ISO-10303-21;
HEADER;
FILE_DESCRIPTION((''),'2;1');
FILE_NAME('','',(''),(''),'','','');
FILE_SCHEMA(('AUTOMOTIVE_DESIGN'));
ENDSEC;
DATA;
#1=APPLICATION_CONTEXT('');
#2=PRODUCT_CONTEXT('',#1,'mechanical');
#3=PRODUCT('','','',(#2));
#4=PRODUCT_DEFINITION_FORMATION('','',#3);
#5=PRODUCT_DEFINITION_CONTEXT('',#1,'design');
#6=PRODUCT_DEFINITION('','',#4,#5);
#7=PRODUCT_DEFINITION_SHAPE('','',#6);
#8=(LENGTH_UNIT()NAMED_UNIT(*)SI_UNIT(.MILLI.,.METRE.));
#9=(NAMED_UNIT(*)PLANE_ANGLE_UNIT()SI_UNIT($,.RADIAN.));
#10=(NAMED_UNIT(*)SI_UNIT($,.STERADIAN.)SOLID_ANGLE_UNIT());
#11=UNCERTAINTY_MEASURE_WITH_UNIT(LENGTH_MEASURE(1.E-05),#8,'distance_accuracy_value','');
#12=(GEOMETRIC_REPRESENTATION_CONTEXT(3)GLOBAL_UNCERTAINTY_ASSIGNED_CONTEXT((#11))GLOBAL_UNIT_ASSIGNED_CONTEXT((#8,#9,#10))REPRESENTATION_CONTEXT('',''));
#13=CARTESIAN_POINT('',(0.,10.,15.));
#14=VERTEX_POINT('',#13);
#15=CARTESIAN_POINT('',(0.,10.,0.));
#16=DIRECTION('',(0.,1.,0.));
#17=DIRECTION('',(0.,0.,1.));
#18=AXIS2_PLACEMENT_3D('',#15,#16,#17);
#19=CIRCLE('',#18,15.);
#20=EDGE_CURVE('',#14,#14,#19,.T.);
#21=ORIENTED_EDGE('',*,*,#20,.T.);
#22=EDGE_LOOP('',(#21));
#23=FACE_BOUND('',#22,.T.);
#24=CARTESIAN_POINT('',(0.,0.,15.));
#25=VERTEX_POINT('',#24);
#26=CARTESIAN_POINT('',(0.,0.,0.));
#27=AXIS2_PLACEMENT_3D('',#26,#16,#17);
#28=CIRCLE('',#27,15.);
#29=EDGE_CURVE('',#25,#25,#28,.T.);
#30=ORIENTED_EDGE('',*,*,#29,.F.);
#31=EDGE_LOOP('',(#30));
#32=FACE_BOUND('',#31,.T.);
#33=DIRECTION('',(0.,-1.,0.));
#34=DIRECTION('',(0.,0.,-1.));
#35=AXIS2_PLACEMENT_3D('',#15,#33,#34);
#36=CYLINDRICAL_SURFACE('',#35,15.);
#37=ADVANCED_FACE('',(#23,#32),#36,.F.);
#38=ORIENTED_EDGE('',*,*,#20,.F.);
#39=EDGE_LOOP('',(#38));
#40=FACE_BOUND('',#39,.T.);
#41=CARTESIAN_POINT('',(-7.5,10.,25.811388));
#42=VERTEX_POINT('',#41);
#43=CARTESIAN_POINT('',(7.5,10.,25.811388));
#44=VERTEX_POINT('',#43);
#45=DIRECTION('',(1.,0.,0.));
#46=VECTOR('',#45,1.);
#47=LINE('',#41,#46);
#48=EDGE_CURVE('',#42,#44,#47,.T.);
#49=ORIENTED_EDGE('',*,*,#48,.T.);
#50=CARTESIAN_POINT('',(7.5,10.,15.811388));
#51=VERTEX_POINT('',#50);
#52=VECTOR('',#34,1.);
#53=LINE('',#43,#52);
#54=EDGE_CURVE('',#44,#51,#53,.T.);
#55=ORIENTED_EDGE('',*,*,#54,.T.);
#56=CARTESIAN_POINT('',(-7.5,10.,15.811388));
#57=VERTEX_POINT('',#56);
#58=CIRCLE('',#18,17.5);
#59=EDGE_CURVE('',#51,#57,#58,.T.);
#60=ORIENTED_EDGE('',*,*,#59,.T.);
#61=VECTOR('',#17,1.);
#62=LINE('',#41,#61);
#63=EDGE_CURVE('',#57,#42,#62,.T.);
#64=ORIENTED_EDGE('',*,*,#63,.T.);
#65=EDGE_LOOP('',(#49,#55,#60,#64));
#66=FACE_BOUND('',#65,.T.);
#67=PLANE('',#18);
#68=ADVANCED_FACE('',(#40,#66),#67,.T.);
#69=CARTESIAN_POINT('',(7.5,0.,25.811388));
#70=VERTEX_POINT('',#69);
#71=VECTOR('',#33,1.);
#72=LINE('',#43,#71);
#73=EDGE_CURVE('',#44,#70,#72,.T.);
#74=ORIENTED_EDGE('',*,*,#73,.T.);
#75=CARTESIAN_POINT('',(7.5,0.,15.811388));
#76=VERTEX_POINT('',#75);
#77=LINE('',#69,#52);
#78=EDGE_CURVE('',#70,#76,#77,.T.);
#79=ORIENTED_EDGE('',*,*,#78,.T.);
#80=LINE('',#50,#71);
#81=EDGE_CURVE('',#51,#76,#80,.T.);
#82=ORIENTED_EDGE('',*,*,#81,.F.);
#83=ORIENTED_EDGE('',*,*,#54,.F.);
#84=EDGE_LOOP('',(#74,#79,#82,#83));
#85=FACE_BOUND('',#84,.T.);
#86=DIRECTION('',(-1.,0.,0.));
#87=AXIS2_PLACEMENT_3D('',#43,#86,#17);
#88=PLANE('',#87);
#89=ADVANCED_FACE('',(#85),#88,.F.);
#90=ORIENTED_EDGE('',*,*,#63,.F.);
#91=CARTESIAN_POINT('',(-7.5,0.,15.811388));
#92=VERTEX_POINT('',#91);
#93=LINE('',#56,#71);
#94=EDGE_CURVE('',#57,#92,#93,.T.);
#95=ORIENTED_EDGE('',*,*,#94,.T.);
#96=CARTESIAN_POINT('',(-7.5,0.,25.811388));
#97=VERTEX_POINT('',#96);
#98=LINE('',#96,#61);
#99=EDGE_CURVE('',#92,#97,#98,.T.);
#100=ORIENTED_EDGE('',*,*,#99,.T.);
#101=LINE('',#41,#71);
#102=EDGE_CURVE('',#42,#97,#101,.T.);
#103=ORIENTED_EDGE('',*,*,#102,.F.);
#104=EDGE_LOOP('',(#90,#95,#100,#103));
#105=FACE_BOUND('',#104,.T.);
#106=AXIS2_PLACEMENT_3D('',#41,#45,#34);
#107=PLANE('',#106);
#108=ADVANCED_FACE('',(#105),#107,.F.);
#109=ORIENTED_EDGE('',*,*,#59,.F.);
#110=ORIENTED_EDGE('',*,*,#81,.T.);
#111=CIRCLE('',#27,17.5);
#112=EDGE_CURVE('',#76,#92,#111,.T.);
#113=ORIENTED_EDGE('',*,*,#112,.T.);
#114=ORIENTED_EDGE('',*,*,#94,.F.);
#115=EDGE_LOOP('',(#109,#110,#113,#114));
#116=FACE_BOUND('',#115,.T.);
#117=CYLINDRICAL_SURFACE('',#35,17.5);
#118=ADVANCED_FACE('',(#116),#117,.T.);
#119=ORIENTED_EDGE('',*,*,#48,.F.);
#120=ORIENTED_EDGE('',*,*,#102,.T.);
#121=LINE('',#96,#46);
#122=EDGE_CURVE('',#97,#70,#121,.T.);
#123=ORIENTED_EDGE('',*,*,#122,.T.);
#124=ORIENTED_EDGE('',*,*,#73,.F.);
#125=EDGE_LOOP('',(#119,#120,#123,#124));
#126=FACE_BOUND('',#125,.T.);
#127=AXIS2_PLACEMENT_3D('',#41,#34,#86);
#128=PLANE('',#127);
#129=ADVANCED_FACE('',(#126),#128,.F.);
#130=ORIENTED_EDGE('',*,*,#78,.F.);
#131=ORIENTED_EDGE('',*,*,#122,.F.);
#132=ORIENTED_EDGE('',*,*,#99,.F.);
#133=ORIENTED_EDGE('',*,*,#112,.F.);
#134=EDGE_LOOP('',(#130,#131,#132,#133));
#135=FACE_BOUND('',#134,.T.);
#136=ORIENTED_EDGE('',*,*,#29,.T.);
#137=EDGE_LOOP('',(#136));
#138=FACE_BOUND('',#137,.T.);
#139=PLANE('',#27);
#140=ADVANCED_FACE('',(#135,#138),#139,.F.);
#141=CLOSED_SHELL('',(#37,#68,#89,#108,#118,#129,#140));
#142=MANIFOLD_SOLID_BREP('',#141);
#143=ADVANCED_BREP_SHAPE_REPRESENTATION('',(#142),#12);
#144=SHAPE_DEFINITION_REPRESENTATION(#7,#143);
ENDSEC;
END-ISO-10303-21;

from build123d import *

# Parameters (mm, degrees)
SKETCH1_R           = 15
BOSS_EXTRUDE1_DEPTH = 10


with BuildPart() as part:
    # Sketch1 → Boss-Extrude1 (new body)
    with BuildSketch(Plane(origin=(0, 0, 0), x_dir=(1, 0, 0), z_dir=(0, 1, 0))):
        with BuildLine():
            Line((-7.5, -25.811388301), (7.5, -25.811388301))
            Line((7.5, -25.811388301), (7.5, -15.811388301))
            ThreePointArc((7.5, -15.811388301), (0, 17.5), (-7.5, -15.811388301))
            Line((-7.5, -15.811388301), (-7.5, -25.811388301))
        make_face()
        with Locations(Location((0, 0, 0), (0, 0, 270))):
            Circle(SKETCH1_R, mode=Mode.SUBTRACT)
    extrude(amount=BOSS_EXTRUDE1_DEPTH)


solid = part.part
